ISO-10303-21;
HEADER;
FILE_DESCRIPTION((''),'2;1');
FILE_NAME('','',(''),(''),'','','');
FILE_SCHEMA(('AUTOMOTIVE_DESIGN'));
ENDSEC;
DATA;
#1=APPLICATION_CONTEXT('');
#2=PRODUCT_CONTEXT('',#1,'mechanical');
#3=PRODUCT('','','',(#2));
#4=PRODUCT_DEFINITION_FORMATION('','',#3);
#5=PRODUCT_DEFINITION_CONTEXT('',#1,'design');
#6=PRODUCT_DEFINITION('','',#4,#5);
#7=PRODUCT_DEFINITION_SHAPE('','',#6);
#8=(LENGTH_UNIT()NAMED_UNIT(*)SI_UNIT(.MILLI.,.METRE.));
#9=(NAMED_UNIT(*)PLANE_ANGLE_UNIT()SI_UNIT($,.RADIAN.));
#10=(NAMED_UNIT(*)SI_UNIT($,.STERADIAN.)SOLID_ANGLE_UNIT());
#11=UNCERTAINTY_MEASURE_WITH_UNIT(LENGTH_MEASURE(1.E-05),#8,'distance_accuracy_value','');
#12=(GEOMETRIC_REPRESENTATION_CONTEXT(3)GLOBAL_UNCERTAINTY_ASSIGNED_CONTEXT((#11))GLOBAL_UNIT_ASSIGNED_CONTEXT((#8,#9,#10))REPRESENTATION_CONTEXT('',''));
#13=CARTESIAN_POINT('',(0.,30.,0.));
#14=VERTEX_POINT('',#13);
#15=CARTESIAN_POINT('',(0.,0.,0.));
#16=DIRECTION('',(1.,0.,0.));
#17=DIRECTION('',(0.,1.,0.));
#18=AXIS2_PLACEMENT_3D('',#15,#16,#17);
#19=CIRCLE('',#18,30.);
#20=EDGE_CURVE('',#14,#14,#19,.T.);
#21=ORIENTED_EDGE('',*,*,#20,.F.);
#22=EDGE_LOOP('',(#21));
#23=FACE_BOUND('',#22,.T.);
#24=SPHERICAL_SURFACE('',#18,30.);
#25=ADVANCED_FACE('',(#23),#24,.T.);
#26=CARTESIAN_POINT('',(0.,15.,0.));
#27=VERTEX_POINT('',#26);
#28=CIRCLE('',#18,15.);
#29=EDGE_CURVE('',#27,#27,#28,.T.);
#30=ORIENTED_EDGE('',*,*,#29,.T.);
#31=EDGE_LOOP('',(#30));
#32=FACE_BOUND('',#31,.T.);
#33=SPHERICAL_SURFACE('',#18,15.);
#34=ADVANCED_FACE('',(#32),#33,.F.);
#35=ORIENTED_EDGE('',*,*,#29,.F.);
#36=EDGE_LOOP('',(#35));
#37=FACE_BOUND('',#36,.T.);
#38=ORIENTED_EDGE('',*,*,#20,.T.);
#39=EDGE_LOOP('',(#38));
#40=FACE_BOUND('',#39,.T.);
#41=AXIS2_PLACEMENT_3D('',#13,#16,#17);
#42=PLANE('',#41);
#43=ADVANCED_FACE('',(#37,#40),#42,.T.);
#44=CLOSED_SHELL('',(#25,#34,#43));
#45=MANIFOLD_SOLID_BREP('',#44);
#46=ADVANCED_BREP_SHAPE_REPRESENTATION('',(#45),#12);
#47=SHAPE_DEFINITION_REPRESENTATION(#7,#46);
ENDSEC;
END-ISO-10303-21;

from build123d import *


with BuildPart() as part:
    # Sketch3 → Revolve1 (revolve)
    with BuildSketch(Plane.XY):
        with BuildLine():
            Line((-30, 0), (-15, 0))
            ThreePointArc((-15, 0), (-10.606601718, 10.606601718), (0, 15))
            Line((0, 15), (0, 30))
            ThreePointArc((0, 30), (-21.213203436, 21.213203436), (-30, 0))
        make_face()
    revolve(axis=Axis((0, 0, 0), (-1, 0, 0)))


solid = part.part
